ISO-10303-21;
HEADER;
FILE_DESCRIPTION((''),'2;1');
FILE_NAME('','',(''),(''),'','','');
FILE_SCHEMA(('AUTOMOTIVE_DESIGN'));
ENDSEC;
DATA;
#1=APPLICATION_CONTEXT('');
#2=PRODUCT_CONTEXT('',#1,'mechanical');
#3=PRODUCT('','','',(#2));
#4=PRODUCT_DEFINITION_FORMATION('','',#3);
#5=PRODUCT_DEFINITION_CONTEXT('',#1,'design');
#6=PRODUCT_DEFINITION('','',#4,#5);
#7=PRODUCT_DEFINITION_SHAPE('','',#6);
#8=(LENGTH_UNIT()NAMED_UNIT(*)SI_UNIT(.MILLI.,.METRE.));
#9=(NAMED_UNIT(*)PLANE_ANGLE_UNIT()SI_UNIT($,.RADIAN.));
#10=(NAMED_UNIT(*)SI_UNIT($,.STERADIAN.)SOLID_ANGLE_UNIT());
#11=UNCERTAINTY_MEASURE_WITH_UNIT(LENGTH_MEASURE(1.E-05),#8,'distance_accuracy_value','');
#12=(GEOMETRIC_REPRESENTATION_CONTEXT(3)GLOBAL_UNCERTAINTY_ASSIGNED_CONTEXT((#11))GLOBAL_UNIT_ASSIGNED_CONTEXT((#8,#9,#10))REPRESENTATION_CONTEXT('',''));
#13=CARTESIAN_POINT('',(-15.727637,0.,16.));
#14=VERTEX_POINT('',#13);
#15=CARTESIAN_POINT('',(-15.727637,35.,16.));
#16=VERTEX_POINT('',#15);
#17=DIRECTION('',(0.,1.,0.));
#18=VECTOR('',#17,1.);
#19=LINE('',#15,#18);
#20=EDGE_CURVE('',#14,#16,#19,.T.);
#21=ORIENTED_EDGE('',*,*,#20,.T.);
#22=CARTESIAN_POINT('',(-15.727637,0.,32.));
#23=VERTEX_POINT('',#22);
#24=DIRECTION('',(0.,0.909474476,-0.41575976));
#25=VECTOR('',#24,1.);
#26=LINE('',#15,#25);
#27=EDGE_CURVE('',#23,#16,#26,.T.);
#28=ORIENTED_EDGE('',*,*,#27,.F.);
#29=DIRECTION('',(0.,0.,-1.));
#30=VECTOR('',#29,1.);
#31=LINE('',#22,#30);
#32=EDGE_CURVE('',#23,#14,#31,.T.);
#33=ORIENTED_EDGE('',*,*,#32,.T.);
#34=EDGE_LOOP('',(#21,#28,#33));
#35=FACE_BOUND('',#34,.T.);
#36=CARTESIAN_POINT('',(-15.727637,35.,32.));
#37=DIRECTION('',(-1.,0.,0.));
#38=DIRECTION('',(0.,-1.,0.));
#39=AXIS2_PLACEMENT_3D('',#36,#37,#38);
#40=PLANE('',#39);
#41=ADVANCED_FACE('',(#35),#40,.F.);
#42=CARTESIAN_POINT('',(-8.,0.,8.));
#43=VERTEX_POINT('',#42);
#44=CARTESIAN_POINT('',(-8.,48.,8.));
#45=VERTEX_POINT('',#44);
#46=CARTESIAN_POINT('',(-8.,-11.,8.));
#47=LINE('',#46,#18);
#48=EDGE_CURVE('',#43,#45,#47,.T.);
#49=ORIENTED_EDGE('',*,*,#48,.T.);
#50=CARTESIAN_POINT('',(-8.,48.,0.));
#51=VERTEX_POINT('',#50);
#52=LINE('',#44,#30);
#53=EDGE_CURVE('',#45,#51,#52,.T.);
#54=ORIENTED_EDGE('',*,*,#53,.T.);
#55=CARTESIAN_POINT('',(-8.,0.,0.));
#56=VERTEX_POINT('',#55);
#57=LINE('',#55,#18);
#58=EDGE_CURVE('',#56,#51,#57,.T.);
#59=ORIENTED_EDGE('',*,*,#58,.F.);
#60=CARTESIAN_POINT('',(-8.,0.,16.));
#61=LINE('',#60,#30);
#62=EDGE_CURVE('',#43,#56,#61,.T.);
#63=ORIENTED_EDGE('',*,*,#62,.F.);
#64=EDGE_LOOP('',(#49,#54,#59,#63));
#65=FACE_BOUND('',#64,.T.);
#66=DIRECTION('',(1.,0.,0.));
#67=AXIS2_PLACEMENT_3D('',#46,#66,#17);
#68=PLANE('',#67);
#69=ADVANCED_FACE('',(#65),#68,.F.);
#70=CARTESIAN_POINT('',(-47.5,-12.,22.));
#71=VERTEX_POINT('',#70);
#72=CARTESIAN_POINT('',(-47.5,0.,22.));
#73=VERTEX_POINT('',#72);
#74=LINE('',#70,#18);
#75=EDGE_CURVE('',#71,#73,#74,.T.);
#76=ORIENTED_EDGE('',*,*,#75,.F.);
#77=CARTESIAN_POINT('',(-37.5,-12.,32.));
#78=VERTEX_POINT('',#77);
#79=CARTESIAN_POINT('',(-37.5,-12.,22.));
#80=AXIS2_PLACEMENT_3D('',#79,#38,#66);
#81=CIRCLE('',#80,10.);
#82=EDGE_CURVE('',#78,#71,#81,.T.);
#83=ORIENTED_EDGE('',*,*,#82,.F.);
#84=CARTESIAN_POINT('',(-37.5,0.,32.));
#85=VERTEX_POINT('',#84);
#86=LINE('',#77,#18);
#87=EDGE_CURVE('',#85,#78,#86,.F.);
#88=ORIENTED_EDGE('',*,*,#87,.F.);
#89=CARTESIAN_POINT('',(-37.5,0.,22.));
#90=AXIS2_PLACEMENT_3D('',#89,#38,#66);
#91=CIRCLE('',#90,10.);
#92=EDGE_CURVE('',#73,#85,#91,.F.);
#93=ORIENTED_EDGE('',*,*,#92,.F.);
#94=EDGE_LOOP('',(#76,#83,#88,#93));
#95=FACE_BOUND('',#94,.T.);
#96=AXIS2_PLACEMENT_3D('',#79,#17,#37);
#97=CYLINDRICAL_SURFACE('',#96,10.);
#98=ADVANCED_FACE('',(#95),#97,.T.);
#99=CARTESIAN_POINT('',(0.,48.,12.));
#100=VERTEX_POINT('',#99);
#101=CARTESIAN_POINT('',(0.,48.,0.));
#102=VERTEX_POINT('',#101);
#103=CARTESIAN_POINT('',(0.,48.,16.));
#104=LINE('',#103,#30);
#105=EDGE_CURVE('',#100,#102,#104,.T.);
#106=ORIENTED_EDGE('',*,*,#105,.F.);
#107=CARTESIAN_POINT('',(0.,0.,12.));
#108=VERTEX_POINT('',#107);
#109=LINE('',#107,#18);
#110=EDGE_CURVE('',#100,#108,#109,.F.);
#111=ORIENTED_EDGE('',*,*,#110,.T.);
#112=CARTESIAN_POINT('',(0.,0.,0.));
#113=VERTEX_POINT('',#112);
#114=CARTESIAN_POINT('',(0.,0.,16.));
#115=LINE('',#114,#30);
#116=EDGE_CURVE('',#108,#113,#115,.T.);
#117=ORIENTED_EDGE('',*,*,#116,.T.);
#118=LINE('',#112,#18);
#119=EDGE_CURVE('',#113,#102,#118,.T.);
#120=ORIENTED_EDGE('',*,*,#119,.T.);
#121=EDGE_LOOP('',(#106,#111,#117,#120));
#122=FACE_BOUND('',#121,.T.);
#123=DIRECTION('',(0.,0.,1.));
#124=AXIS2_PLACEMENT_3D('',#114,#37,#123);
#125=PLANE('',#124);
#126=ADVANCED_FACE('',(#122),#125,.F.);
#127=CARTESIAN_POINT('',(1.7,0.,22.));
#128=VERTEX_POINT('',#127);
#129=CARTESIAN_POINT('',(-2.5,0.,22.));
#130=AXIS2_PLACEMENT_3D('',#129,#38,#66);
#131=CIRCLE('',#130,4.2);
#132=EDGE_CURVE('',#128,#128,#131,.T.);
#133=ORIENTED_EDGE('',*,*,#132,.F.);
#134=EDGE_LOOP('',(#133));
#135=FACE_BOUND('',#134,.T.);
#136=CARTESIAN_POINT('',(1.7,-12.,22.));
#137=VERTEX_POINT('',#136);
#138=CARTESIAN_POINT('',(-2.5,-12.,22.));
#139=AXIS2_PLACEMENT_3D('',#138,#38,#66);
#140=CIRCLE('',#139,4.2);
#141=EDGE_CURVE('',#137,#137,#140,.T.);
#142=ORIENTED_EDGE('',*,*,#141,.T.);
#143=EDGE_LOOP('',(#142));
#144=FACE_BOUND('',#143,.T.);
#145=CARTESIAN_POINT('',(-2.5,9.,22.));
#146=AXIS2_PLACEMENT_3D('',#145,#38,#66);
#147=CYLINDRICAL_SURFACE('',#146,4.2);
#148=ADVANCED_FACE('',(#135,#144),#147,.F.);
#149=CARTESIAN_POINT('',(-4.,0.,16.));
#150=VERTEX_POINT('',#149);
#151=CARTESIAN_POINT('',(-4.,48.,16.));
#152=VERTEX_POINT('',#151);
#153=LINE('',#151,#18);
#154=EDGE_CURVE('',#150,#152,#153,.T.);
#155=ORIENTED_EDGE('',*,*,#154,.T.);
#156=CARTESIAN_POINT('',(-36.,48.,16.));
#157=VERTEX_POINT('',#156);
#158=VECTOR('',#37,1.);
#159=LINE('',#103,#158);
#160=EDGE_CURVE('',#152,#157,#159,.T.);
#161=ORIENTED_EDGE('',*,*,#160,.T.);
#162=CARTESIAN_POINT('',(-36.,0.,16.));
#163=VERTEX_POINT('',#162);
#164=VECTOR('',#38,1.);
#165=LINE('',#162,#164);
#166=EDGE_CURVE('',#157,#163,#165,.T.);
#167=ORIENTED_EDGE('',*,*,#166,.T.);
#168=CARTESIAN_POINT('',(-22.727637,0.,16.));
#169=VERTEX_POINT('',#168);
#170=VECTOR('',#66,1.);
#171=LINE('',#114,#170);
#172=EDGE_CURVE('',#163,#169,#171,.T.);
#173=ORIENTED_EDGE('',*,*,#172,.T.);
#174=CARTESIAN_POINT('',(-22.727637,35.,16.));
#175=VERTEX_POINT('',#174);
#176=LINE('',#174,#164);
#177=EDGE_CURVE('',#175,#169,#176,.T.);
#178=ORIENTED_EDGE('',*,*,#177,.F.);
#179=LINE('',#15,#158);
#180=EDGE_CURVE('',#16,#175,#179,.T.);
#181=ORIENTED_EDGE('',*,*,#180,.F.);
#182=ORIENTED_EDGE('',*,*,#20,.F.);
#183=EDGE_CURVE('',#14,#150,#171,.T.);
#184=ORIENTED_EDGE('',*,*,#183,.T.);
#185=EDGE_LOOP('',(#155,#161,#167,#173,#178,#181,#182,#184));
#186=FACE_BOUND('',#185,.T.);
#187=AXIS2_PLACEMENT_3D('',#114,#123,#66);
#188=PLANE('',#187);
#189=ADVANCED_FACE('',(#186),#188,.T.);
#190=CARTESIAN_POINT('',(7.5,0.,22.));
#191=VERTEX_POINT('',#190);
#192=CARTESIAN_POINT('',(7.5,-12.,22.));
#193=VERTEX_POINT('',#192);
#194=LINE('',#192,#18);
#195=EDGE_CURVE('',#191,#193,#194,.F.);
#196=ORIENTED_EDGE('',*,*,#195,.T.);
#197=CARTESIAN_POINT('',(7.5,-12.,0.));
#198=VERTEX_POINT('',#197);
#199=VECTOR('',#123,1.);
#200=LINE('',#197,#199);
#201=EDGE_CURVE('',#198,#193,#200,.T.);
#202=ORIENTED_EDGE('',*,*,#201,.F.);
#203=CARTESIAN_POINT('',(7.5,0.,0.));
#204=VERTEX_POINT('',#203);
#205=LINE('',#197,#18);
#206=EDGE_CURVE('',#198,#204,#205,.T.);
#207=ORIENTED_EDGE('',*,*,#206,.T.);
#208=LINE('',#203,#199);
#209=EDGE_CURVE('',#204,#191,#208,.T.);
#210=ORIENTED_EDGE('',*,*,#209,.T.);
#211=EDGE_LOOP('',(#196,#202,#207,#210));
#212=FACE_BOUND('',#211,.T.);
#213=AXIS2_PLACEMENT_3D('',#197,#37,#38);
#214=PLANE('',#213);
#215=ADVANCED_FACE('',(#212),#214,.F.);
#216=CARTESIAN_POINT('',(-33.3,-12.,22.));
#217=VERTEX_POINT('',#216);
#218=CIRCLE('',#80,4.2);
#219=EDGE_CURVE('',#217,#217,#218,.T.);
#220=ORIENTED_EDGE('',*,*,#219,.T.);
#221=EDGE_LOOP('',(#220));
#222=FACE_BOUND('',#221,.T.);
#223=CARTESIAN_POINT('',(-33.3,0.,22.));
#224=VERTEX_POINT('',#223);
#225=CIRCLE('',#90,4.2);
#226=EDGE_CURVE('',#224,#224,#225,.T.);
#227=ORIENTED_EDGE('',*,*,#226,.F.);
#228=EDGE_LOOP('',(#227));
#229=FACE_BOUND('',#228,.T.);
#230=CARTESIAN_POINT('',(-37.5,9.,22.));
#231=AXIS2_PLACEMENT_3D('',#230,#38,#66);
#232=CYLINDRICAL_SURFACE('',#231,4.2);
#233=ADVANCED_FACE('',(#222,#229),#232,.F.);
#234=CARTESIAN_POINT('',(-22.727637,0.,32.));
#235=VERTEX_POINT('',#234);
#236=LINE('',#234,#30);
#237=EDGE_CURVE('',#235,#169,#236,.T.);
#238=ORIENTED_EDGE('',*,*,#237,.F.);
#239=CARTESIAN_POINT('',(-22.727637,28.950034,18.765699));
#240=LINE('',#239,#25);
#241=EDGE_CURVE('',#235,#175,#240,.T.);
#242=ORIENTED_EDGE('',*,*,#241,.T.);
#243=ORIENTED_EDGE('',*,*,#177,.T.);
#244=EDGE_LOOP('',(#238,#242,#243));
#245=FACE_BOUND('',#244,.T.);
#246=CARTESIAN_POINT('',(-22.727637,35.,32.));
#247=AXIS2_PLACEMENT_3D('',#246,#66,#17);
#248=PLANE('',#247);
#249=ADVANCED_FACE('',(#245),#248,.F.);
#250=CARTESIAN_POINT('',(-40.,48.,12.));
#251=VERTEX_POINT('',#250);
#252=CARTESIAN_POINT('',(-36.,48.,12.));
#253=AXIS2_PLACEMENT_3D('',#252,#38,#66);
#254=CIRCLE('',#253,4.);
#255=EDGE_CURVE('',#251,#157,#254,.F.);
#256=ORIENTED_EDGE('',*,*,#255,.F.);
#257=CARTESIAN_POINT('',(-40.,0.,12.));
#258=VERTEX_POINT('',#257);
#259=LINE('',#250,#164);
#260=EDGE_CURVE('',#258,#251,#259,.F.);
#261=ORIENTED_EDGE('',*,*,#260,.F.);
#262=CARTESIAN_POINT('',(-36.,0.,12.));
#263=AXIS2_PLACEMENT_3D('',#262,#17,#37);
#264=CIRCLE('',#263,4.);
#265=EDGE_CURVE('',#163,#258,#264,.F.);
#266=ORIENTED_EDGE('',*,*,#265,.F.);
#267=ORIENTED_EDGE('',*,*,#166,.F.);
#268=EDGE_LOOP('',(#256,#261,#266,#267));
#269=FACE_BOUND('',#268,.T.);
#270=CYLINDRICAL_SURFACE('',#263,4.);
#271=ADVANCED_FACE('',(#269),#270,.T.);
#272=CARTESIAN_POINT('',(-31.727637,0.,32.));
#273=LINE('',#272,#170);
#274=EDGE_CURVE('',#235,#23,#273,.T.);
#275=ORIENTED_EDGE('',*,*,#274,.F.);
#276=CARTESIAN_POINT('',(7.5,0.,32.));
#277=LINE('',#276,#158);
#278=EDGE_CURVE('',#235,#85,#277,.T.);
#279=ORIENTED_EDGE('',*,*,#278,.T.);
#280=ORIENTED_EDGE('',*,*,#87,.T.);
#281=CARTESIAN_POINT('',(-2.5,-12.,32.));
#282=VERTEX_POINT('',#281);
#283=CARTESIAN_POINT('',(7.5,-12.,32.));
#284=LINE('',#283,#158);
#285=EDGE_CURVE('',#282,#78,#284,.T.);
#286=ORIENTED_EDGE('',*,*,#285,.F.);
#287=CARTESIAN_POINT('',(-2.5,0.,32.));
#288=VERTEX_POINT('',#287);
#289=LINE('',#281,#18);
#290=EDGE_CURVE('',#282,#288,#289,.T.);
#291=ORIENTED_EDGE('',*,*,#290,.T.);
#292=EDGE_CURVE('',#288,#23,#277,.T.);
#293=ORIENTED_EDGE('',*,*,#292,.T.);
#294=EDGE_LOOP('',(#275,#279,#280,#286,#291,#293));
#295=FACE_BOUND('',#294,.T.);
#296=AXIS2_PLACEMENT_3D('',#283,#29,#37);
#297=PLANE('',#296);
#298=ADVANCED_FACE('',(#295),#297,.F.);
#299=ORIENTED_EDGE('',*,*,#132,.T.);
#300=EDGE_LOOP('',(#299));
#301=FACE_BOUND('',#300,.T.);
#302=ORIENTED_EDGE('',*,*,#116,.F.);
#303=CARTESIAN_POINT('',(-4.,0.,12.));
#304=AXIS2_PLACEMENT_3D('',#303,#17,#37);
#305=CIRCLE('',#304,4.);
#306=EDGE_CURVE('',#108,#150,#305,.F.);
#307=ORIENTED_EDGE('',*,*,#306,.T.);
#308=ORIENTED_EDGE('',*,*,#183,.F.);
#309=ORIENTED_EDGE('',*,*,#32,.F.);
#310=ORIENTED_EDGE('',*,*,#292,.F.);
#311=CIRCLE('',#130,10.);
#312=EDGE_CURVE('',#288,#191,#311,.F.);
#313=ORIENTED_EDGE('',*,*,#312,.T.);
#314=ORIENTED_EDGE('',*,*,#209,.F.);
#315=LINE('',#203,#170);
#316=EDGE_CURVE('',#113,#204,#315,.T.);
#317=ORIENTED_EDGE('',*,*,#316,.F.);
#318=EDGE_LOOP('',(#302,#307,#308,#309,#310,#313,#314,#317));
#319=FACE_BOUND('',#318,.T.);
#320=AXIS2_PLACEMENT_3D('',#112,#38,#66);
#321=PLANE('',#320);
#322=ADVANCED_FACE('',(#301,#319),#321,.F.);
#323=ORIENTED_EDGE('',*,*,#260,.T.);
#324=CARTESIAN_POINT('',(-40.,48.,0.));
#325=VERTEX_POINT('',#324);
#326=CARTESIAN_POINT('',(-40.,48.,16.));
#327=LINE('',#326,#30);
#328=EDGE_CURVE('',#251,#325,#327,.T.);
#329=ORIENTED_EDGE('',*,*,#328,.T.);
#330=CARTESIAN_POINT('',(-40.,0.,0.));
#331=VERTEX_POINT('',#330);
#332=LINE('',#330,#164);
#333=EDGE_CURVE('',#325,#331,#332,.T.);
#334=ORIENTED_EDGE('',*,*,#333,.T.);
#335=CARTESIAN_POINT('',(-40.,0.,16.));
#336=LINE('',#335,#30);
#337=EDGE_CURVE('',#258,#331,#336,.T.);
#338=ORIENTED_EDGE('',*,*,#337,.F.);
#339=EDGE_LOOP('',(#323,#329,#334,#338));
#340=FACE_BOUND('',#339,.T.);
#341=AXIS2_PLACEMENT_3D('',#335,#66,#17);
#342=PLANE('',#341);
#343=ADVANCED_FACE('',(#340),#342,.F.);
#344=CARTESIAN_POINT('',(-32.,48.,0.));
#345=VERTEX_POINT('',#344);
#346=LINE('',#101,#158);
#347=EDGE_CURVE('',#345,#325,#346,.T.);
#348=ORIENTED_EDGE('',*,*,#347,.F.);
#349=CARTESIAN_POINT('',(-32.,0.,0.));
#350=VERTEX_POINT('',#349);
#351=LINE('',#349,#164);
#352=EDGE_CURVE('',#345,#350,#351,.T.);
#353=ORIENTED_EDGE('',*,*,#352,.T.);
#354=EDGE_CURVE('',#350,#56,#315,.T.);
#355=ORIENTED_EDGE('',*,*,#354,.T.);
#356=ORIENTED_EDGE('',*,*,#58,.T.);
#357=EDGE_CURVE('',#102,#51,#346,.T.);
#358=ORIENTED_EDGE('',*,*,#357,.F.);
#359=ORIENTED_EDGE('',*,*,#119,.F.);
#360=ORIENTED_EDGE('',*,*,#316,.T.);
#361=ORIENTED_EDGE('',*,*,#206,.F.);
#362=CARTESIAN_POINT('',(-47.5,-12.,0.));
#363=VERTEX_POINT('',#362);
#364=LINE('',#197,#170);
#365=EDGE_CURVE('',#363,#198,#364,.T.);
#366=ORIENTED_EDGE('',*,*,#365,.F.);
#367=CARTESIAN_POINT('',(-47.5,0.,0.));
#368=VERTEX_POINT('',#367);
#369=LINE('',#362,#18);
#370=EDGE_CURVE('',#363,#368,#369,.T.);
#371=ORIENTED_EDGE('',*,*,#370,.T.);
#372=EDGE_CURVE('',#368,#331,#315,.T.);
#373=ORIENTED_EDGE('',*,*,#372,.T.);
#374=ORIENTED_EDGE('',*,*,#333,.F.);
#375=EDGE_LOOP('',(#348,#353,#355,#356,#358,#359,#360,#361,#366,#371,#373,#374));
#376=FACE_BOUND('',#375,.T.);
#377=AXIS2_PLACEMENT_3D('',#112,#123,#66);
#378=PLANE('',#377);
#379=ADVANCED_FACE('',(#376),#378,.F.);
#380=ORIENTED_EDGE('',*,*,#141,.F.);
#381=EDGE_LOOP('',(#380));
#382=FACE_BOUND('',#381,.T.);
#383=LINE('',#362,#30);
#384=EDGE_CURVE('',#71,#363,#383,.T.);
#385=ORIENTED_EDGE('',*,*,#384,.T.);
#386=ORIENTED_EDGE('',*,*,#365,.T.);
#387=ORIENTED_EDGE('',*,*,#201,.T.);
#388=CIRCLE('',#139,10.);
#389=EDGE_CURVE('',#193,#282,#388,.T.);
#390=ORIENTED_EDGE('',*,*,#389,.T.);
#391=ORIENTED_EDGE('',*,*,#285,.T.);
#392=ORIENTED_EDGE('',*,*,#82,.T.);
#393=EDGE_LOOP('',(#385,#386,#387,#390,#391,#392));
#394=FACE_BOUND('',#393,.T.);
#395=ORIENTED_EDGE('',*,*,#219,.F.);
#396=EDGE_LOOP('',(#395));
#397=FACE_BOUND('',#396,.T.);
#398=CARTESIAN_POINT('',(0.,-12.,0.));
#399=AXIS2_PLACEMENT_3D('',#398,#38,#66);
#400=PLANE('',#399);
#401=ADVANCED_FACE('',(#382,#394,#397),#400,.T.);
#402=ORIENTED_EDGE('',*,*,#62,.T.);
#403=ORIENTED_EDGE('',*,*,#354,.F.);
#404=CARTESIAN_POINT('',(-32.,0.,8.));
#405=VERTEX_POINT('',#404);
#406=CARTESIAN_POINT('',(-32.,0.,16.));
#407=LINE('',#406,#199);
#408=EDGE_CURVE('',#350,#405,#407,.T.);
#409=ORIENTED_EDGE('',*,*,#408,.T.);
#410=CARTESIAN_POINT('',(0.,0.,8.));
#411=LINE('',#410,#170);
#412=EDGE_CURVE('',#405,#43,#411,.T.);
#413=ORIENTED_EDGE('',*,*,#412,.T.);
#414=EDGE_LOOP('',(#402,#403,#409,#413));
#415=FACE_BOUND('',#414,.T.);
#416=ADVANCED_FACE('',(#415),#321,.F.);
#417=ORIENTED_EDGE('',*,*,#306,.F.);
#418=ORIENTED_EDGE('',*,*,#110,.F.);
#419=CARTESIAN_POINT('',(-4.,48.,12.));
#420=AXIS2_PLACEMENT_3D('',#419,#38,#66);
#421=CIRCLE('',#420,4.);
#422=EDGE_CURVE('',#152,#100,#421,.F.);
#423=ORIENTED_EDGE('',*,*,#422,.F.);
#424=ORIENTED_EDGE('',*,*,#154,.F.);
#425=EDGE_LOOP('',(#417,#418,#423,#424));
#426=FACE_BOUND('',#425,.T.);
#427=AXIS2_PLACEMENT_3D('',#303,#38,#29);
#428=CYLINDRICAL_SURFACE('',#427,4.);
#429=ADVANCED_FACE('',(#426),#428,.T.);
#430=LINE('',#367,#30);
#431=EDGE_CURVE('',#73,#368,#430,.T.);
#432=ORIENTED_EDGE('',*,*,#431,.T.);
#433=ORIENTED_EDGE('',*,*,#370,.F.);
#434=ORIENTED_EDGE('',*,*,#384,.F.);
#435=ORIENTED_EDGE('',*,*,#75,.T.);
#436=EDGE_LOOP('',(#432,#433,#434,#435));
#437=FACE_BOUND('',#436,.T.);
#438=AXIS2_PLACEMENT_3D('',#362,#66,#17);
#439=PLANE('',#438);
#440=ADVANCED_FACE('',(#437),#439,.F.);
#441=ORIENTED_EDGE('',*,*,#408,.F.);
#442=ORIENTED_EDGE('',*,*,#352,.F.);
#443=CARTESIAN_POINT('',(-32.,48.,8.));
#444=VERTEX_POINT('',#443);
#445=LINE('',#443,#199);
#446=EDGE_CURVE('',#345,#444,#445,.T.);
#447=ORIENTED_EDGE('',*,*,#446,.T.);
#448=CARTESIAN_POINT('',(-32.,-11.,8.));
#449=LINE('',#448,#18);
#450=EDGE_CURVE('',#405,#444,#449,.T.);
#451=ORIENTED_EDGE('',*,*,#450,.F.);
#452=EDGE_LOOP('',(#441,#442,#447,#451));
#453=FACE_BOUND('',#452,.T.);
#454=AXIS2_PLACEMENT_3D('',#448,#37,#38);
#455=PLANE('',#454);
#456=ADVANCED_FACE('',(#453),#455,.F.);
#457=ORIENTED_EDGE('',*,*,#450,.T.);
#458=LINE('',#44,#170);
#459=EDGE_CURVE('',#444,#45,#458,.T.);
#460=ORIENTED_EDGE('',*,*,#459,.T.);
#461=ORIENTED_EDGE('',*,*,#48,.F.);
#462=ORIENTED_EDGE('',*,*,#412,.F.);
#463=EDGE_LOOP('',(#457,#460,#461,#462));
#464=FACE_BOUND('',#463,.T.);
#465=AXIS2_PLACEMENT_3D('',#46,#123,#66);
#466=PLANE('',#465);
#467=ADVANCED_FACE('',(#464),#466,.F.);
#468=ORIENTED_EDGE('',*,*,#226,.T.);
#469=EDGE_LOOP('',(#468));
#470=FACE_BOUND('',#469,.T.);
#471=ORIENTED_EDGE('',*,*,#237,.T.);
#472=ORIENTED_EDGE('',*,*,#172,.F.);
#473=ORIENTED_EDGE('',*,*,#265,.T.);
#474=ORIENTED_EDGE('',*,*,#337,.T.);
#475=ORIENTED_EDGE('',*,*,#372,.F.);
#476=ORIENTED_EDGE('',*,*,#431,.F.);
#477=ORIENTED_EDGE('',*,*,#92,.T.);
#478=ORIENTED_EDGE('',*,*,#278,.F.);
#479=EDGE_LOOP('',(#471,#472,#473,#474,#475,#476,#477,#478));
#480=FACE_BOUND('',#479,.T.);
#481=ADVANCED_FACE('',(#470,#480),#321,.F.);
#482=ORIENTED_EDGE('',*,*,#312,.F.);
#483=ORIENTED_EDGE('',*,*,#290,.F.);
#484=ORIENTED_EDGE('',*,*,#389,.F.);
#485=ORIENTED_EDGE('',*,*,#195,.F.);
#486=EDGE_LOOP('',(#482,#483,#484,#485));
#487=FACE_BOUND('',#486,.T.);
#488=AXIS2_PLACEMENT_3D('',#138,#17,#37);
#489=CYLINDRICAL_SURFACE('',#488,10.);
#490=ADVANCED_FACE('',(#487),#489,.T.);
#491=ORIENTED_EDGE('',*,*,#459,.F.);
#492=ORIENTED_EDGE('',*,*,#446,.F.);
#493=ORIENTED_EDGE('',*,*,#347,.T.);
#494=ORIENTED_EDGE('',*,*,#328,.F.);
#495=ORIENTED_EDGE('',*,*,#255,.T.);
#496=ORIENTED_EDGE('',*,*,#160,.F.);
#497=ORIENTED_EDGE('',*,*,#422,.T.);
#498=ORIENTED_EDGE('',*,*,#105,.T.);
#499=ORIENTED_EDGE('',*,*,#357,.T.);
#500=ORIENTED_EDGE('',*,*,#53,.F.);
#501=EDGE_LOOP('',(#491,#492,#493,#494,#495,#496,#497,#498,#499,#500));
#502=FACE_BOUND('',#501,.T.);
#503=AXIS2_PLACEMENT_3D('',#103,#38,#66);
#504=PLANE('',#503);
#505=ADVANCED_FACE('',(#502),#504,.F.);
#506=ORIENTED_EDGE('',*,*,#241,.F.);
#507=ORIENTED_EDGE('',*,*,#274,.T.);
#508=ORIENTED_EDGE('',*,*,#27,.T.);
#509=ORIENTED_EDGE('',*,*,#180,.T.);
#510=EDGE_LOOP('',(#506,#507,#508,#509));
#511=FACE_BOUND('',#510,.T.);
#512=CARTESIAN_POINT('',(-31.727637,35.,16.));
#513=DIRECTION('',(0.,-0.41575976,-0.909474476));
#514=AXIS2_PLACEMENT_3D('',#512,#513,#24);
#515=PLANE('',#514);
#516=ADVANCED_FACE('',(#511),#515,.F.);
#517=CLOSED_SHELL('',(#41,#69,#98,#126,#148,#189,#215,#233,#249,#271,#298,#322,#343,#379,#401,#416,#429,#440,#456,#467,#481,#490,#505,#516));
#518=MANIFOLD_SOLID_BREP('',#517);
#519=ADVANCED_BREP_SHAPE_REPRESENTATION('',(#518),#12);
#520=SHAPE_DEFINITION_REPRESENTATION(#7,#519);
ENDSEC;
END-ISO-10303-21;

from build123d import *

# Parameters (mm, degrees)
IZIM1_W                     = 40
IZIM1_H                     = 48
Y_KSEKLIK_EKSTR_ZYON1_DEPTH = 16
RADYUS4_R                   = 4
IZIM5_W                     = 24
IZIM5_H                     = 8
KES_EKSTR_ZYON1_DEPTH       = 59
IZIM6_W                     = 55
IZIM6_H                     = 32
Y_KSEKLIK_EKSTR_ZYON4_DEPTH = 12
RADYUS7_R                   = 10
IZIM9_R                     = 4.2
KES_EKSTR_ZYON2_DEPTH       = 21
IZIM10_W                    = 7
IZIM10_H                    = 35
Y_KSEKLIK_EKSTR_ZYON5_DEPTH = 16
KES_EKSTR_ZYON3_DEPTH       = 16


with BuildPart() as part:
    # Çizim1 → Yükseklik-Ekstrüzyon1 (new body)
    with BuildSketch(Plane.XY):
        with Locations((-20, 24)):
            Rectangle(IZIM1_W, IZIM1_H)
    extrude(amount=Y_KSEKLIK_EKSTR_ZYON1_DEPTH)

    # Radyus4
    radyus4_edges = [part.edges().sort_by_distance(p)[0] for p in [
        (-40, 24, 16),
        (0, 24, 16),
    ]]
    fillet(radyus4_edges, radius=RADYUS4_R)

    # Çizim5 → Kes-Ekstrüzyon1 (cut)
    with BuildSketch(Plane(origin=(0, 48, 0), x_dir=(1, 0, 0), z_dir=(0, 1, 0))):
        with Locations((-20, -4)):
            Rectangle(IZIM5_W, IZIM5_H)
    extrude(amount=-KES_EKSTR_ZYON1_DEPTH, mode=Mode.SUBTRACT)

    # Çizim6 → Yükseklik-Ekstrüzyon4 (add)
    with BuildSketch(Plane.XZ):
        with Locations((-20, 16)):
            Rectangle(IZIM6_W, IZIM6_H)
    extrude(amount=Y_KSEKLIK_EKSTR_ZYON4_DEPTH)

    # Radyus7
    radyus7_edges = [part.edges().sort_by_distance(p)[0] for p in [
        (7.5, -6, 32),
        (-47.5, -6, 32),
    ]]
    fillet(radyus7_edges, radius=RADYUS7_R)

    # Çizim9 → Kes-Ekstrüzyon2 (cut)
    with BuildSketch(Plane.XZ.offset(12)):
        with Locations((-37.5, 22)):
            Circle(IZIM9_R)
        with Locations((-2.5, 22)):
            Circle(IZIM9_R)
    extrude(amount=-KES_EKSTR_ZYON2_DEPTH, mode=Mode.SUBTRACT)

    # Çizim10 → Yükseklik-Ekstrüzyon5 (add)
    with BuildSketch(Plane.XY.offset(16)):
        with Locations((-19.227636849, 17.5)):
            Rectangle(IZIM10_W, IZIM10_H)
    extrude(amount=Y_KSEKLIK_EKSTR_ZYON5_DEPTH)

    # Çizim11 → Kes-Ekstrüzyon3 (cut)
    with BuildSketch(Plane(origin=(-15.727636849, 0, 0), x_dir=(0, 0, -1), z_dir=(1, 0, 0))):
        Polygon((-16, 35), (-32, 0), (-32, 35), align=None)
    extrude(amount=-KES_EKSTR_ZYON3_DEPTH, mode=Mode.SUBTRACT)


solid = part.part
